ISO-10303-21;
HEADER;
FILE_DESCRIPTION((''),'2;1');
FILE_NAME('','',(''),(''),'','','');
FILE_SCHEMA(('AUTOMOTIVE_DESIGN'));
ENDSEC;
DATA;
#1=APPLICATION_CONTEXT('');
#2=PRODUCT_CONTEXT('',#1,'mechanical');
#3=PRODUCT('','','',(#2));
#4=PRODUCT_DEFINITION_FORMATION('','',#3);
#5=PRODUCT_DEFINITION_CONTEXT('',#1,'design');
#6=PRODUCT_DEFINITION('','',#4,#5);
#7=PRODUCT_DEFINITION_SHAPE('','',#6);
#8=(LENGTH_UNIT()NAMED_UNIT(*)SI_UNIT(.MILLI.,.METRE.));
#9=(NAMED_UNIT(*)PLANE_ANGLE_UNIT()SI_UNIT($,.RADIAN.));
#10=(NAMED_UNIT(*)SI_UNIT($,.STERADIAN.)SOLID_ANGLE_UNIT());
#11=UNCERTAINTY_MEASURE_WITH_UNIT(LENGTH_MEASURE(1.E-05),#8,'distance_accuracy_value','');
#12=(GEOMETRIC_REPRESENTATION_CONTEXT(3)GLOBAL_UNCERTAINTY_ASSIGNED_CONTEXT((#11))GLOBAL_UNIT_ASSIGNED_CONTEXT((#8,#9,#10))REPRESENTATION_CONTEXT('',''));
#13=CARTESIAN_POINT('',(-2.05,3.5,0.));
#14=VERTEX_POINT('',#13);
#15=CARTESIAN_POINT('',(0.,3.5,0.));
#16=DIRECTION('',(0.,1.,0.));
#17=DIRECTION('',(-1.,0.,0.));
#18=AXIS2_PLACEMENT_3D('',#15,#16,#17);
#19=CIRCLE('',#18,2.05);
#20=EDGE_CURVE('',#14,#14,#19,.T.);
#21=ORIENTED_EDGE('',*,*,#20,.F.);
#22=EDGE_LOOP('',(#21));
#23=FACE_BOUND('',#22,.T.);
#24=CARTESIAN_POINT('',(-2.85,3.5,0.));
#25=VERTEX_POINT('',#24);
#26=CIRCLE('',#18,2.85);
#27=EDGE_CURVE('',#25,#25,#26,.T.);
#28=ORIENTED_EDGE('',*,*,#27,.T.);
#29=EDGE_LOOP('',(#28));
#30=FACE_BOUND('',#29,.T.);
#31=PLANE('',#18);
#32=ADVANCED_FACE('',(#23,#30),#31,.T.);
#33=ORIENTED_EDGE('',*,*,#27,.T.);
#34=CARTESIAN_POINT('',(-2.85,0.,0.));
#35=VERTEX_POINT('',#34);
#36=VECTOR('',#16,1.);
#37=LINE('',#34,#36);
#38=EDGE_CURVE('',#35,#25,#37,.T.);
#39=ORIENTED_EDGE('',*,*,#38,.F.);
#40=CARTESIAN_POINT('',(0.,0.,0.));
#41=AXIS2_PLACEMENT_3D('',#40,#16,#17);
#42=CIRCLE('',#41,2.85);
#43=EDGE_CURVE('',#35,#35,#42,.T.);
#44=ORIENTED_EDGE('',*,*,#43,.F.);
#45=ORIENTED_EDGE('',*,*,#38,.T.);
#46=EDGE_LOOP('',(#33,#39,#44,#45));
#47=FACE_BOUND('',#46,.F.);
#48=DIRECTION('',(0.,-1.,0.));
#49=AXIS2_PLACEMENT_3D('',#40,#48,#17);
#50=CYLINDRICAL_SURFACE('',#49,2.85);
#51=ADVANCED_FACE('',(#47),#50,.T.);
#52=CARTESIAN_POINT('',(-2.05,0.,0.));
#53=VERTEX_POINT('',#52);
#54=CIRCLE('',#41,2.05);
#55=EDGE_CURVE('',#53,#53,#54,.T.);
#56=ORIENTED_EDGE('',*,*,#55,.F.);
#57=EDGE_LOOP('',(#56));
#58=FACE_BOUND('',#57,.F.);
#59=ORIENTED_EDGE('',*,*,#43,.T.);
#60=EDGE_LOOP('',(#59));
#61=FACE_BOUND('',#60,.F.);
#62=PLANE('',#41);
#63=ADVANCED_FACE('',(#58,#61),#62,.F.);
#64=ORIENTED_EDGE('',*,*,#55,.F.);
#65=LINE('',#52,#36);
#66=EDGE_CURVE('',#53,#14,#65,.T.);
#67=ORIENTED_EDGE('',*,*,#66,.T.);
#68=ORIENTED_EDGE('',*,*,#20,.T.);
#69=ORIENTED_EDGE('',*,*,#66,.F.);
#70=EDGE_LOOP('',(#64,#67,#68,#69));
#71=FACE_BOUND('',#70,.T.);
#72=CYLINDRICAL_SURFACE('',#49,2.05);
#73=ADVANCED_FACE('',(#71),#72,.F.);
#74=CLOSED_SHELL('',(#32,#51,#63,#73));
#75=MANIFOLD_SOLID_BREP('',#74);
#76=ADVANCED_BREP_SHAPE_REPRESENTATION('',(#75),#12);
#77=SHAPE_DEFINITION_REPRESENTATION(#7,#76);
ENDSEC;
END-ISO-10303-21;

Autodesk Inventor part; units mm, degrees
ref_plane "YZ Plane" through (0, 0, 0) normal (1, 0, 0) x (0, 1, 0)
ref_plane "XZ Plane" through (0, 0, 0) normal (0, 1, 0) x (-1, 0, 0)
ref_plane "XY Plane" through (0, 0, 0) normal (0, 0, 1) x (1, 0, 0)
sketch "스케치1" plane through (0, 0, 0) normal (0, 1, 0) x (-1, 0, 0)
  circle A0 centre (0, 0) radius 2.05
  circle A1 centre (0, 0) radius 2.85
  dimension "d0" = 4.1
  dimension "d1" = 5.7
extrude "돌출1" add sketch "스케치1" along normal blind 3.5
properties part number "terminal_end_phi4.1phi5.7"
